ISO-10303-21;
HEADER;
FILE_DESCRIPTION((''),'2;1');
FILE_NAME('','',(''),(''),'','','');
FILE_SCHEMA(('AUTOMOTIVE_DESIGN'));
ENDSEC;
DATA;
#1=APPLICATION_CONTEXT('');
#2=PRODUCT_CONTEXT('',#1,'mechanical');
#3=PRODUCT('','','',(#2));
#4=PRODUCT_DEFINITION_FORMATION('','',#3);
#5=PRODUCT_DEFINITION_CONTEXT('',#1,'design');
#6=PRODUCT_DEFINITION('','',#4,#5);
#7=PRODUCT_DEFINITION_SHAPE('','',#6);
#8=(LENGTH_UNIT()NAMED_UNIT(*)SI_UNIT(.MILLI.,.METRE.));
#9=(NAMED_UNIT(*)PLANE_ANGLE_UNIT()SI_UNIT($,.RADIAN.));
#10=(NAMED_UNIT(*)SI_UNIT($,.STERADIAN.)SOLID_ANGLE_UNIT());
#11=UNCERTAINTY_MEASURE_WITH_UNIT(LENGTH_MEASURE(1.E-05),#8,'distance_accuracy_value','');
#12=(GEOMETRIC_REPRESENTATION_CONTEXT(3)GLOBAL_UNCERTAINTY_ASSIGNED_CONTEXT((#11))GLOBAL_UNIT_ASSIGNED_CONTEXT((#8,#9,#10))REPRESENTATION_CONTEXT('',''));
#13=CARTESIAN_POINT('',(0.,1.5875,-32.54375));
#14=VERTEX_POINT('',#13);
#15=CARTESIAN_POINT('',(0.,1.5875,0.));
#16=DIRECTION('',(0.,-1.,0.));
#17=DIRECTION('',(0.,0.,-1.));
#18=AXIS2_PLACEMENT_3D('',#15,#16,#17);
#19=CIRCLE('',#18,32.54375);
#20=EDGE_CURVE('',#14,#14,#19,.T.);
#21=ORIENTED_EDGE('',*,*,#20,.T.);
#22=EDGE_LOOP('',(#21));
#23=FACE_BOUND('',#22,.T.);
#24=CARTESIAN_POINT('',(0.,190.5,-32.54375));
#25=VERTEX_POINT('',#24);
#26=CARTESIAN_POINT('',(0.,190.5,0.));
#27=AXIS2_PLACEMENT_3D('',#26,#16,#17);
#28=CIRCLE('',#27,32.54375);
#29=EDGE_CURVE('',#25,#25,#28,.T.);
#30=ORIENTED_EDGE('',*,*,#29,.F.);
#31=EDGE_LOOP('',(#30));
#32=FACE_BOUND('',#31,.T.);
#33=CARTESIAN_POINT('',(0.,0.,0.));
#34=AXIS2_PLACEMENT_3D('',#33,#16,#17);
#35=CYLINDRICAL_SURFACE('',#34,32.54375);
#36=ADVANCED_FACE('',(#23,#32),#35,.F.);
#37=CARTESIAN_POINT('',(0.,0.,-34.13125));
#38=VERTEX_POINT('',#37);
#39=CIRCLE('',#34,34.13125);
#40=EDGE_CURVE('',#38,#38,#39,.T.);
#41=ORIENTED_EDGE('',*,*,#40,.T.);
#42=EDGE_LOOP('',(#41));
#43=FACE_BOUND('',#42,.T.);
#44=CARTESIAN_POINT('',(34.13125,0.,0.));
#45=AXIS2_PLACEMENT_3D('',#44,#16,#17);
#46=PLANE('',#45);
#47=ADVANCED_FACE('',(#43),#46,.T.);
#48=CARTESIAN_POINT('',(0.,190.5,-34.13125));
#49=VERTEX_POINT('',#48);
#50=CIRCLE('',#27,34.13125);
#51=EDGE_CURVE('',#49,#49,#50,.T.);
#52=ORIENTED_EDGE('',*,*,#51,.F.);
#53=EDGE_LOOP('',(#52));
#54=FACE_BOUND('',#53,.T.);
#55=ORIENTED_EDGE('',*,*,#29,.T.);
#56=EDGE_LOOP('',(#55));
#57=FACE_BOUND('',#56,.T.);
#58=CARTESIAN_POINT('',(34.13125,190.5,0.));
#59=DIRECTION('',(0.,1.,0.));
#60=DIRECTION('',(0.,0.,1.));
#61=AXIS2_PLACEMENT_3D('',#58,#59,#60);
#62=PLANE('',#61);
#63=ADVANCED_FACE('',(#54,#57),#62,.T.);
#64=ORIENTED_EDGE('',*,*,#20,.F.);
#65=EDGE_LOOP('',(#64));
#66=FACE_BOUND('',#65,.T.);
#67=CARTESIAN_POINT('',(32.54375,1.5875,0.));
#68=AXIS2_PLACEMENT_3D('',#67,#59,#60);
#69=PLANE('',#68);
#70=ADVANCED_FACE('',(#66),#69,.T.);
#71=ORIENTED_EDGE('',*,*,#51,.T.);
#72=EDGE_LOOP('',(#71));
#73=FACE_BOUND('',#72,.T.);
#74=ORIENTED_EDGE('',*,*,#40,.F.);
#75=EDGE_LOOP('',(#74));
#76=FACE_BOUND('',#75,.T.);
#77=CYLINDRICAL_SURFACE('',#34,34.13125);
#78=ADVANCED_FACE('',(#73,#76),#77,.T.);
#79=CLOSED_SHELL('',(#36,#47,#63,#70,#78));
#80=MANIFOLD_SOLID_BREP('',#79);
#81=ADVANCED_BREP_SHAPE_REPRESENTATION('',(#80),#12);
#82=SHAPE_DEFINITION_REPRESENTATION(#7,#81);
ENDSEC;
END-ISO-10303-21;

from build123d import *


with BuildPart() as part:
    # Sketch1 → Revolve1 (revolve)
    with BuildSketch(Plane.XY, mode=Mode.PRIVATE) as revolve1_sk:
        Polygon((34.13125, 190.5), (34.13125, 0), (0, 0), (0, 1.5875), (32.54375, 1.5875), (32.54375, 190.5), align=None)
    revolve(revolve1_sk.sketch.rotate(Axis((0, 0, 0), (0, 1, 0)), 90), axis=Axis((0, 0, 0), (0, 1, 0)))


solid = part.part
